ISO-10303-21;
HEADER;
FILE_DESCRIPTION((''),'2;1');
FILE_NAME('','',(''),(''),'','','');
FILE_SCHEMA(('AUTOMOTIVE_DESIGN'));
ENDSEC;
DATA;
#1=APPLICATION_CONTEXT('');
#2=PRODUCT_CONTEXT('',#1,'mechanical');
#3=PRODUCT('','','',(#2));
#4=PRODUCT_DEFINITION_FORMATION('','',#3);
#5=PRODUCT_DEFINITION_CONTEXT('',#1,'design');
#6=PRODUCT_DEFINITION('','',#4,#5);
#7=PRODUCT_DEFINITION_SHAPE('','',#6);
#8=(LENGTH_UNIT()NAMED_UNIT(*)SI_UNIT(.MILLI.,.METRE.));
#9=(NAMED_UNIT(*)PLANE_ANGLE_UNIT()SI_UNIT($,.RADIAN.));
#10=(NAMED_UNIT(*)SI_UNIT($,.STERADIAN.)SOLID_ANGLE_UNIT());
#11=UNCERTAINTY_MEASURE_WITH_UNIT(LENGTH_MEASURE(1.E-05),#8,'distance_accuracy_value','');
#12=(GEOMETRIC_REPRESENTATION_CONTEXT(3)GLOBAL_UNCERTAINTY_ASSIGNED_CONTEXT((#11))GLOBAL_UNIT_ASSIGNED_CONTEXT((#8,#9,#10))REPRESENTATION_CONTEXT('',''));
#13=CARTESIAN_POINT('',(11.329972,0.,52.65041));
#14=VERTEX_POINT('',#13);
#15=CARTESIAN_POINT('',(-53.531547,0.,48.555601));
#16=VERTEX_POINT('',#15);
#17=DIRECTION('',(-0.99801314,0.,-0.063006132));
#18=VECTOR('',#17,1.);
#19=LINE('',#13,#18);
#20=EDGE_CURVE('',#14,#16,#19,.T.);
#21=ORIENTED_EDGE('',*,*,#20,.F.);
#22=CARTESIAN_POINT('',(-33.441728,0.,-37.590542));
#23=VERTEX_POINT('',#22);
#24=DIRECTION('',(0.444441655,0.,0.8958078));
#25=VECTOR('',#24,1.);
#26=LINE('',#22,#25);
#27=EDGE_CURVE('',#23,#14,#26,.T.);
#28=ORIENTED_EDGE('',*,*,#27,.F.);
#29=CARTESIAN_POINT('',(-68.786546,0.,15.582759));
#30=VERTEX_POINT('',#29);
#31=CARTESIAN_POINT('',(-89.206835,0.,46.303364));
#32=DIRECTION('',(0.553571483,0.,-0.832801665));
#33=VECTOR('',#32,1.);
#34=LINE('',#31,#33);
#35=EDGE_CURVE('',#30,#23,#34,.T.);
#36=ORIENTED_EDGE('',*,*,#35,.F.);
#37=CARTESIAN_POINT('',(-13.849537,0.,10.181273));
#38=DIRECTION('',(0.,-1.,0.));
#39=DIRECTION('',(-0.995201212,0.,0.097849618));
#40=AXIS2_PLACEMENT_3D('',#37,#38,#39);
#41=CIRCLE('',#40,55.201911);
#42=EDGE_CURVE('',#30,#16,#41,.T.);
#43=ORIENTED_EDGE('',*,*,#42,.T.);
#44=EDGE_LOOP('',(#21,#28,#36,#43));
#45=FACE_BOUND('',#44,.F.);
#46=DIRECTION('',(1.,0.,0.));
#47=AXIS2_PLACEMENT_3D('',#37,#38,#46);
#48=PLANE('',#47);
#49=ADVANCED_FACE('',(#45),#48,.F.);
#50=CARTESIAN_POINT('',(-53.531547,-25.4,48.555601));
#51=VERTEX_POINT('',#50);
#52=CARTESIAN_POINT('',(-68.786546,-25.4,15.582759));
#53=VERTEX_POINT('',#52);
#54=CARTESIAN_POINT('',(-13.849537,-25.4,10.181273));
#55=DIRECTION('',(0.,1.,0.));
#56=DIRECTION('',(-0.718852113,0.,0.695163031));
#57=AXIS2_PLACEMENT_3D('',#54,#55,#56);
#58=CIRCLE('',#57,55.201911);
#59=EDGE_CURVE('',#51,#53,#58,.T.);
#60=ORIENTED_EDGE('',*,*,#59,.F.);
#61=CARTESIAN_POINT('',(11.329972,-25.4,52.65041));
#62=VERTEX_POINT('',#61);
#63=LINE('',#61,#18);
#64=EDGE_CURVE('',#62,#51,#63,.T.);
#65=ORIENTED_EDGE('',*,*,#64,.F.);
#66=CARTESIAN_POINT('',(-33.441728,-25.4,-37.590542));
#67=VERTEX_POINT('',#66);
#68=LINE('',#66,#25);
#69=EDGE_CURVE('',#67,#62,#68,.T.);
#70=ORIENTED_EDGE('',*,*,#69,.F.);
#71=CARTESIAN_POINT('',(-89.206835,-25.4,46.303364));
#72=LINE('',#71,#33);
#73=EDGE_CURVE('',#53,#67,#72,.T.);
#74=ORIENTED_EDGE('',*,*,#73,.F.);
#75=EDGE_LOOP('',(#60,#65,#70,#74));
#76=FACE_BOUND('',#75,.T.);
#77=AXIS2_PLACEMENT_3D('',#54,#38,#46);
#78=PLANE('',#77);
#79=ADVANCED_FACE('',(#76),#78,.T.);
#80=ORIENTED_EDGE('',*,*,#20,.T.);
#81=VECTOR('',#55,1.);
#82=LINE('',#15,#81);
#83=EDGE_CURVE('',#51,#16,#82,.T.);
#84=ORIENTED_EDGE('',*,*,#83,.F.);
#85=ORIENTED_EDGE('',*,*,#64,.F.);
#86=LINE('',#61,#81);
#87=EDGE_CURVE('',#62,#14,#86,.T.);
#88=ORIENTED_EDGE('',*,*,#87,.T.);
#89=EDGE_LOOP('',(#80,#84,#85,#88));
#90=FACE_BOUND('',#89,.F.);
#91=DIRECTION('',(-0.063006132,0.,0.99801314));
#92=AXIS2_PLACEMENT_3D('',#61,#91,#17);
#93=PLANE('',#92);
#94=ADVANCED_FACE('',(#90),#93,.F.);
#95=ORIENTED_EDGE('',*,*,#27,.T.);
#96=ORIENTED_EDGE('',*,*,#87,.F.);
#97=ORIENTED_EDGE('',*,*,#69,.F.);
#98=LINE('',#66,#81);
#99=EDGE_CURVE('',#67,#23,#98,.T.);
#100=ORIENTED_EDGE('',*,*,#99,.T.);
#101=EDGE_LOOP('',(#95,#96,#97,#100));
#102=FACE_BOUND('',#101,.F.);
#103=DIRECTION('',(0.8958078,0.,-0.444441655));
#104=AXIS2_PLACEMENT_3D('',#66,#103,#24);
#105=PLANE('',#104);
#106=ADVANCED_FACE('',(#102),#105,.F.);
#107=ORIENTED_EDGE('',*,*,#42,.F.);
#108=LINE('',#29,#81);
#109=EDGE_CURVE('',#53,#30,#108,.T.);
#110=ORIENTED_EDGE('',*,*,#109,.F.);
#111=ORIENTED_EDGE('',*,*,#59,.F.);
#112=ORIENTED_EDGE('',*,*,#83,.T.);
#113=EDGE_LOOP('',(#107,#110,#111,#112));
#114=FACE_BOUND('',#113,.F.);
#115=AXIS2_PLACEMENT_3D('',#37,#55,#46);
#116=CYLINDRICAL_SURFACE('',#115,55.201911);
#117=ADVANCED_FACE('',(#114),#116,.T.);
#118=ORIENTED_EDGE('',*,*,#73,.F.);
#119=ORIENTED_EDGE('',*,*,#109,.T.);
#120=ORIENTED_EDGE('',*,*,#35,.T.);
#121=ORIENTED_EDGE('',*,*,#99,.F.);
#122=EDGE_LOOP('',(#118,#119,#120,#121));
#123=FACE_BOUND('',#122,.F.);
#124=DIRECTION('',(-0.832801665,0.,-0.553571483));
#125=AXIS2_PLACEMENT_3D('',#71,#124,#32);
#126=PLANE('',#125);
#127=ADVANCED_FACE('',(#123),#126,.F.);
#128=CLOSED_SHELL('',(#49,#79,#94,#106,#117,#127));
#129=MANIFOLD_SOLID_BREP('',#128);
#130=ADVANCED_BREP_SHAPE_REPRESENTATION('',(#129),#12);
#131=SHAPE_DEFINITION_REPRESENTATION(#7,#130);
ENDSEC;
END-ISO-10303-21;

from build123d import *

# Parameters (mm, degrees)
F0_R     = 55.201911
F1_DEPTH = 25.4
F3_DEPTH = 25.4


with BuildPart() as f1:
    # F0 (on Front) → F1 (new body)
    with BuildSketch(Plane.XZ):
        with Locations((-13.849537, 10.181273)):
            Circle(F0_R)
    extrude(amount=F1_DEPTH)

    # F2 (on face) → F3 (cut)
    with BuildSketch(Plane.XZ.offset(25.4)):
        Polygon((-33.441728, -37.590542), (11.329972, 52.65041), (-89.206835, 46.303364), align=None)
    extrude(amount=-F3_DEPTH, mode=Mode.SUBTRACT)


solid = f1.part
